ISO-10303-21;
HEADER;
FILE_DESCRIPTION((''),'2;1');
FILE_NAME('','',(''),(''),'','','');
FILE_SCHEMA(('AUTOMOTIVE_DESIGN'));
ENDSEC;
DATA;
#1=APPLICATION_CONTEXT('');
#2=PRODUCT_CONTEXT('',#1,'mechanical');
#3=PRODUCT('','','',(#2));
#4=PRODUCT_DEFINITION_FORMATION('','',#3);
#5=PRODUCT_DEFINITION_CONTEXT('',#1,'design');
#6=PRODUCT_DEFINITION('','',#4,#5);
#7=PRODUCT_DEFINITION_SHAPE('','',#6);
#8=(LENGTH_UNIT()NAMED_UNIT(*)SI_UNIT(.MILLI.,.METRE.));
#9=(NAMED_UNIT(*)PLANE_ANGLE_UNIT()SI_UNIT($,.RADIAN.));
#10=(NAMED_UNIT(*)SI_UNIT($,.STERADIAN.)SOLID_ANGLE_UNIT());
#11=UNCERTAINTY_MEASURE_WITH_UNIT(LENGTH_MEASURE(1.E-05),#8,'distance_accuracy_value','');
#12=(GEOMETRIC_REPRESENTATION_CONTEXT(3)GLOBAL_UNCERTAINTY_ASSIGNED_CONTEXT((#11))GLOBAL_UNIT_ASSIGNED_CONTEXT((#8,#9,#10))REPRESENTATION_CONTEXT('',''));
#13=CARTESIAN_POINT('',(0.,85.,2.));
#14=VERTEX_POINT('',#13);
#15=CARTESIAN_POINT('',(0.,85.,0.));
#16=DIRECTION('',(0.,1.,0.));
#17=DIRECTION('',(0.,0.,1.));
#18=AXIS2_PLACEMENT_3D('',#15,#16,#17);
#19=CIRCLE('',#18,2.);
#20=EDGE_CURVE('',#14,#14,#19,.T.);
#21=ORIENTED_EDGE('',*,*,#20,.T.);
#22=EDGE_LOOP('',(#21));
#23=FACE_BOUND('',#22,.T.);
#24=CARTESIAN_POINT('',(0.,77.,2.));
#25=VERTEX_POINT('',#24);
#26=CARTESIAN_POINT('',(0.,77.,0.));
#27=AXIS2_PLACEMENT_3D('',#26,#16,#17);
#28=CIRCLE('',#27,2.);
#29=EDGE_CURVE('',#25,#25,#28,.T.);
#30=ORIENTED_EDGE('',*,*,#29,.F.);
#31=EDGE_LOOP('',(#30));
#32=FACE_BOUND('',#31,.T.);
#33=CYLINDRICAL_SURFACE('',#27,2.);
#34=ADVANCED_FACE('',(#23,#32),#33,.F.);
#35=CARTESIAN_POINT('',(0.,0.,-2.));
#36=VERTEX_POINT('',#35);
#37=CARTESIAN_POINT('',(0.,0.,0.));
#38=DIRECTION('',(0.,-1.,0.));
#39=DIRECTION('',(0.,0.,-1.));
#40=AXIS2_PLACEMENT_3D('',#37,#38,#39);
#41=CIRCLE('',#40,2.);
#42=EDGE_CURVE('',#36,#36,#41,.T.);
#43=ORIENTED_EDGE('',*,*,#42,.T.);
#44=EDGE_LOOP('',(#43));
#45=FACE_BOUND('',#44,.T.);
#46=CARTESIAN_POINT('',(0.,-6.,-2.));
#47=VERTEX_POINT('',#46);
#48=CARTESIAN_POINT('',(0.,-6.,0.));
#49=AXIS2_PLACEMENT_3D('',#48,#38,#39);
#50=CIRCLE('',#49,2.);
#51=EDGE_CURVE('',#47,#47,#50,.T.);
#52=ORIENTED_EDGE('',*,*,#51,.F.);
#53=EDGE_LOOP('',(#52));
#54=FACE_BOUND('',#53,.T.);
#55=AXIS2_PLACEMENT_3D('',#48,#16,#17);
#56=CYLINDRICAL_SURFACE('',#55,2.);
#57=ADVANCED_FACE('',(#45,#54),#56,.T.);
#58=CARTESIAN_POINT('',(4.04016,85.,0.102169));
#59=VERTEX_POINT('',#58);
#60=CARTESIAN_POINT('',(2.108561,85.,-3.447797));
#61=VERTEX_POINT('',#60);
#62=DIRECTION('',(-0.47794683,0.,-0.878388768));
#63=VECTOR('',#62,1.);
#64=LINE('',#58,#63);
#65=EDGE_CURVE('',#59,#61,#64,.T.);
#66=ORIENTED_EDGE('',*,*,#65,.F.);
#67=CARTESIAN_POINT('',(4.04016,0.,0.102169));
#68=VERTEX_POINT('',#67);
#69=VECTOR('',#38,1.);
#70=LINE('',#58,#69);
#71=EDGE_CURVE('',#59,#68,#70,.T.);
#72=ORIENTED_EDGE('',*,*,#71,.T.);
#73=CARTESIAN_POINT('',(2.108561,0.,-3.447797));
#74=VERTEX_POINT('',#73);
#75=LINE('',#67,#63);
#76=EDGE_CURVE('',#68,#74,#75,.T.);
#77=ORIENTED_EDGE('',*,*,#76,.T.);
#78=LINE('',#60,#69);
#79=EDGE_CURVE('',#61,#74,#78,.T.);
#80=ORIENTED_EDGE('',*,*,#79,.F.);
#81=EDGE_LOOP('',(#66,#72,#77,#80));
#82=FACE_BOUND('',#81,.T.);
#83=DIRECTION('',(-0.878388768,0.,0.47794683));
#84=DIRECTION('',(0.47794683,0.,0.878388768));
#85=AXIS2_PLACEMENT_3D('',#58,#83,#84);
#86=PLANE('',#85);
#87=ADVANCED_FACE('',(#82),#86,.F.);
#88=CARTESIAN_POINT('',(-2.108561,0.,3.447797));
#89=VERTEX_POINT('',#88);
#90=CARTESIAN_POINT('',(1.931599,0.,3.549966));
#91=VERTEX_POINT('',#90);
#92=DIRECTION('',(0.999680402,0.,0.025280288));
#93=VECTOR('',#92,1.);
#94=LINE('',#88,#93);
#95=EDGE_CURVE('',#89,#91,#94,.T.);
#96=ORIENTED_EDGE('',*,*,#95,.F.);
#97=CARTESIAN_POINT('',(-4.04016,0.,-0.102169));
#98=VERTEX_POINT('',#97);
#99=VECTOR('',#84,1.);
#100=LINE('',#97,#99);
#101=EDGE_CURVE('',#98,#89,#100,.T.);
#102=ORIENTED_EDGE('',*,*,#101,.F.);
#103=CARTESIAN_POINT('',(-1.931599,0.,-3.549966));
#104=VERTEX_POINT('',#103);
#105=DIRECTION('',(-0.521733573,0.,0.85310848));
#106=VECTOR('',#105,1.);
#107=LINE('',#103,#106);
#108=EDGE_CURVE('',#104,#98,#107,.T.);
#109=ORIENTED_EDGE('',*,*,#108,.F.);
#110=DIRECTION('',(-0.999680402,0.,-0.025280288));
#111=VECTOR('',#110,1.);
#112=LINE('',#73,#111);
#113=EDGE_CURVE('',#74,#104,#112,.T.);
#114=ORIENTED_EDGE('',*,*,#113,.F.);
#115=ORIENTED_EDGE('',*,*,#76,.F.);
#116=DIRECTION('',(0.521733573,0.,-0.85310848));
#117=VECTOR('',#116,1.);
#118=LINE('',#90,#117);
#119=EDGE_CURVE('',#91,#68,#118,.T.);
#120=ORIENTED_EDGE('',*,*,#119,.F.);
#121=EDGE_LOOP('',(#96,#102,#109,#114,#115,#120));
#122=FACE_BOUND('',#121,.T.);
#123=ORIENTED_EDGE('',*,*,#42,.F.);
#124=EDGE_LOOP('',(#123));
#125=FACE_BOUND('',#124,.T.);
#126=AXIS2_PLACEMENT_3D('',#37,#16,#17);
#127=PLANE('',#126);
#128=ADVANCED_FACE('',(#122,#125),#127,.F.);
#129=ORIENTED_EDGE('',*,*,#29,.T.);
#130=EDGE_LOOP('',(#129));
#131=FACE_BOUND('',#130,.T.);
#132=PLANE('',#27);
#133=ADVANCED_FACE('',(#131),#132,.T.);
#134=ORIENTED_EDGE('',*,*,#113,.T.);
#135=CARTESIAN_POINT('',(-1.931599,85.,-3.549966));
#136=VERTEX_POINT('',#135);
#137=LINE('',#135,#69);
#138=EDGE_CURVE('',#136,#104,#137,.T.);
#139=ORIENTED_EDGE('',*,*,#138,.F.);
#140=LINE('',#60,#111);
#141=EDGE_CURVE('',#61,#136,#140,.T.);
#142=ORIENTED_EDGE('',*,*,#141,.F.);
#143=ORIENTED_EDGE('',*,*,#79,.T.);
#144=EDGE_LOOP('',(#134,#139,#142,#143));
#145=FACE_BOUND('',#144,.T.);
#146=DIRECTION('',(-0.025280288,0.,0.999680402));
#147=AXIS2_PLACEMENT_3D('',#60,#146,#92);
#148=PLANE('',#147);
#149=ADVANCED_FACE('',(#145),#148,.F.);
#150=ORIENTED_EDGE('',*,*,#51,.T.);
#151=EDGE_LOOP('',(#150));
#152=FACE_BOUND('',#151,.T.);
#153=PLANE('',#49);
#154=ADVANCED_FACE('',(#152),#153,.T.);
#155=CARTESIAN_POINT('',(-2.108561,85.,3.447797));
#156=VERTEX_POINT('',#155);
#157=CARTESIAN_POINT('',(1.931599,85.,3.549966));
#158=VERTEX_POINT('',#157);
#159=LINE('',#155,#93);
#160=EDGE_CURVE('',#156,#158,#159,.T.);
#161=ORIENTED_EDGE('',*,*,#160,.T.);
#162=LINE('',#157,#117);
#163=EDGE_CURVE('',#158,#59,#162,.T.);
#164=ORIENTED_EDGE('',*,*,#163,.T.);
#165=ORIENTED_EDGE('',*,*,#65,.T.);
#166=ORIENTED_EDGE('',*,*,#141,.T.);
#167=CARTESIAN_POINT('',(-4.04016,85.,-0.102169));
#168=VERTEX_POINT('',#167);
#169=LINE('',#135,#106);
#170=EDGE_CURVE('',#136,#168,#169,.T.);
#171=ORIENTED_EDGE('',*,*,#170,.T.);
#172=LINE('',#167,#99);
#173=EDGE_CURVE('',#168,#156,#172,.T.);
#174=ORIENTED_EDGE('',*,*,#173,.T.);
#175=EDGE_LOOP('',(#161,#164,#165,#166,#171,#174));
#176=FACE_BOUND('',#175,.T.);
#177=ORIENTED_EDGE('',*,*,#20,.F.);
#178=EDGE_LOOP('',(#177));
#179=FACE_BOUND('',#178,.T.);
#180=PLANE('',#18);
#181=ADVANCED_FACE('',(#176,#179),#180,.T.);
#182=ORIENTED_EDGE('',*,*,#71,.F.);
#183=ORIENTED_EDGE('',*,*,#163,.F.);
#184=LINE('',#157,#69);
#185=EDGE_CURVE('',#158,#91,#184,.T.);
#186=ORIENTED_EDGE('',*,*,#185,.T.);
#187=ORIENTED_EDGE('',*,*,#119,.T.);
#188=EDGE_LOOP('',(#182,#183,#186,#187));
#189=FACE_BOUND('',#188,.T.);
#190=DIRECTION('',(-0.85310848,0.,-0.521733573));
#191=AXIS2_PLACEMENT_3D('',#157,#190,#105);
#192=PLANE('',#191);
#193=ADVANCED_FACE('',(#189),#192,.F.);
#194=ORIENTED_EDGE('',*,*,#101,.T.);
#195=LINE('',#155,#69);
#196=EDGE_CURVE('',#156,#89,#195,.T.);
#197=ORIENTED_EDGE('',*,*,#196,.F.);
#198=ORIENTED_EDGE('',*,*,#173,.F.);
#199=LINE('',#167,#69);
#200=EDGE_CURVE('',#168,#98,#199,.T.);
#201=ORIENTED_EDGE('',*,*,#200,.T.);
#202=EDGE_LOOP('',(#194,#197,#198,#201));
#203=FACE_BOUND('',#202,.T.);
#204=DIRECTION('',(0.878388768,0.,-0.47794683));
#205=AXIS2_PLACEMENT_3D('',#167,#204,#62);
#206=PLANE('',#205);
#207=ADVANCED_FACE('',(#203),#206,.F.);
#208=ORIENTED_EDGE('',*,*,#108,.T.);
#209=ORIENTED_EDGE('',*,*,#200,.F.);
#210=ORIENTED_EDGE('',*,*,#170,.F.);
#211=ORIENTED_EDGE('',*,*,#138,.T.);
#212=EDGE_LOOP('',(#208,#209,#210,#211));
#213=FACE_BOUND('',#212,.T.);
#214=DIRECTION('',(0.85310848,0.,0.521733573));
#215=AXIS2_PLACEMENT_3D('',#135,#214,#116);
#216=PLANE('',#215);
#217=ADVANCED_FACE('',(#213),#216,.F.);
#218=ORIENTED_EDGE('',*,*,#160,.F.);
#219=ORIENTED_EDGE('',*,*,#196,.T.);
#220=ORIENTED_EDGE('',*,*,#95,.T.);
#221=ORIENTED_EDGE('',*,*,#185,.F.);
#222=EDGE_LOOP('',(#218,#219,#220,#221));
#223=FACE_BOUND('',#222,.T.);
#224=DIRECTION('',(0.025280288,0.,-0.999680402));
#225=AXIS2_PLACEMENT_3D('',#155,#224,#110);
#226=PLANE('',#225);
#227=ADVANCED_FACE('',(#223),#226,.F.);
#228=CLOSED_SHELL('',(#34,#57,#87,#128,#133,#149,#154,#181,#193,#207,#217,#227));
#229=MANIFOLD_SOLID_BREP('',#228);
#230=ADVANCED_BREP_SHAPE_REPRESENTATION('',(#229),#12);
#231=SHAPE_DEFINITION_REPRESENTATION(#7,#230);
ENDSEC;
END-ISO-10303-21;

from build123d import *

# Parameters (mm, degrees)
EXTRUDE_1_DEPTH     = 85
SKETCH_2_R          = 2
CUT_EXTRUDE_1_DEPTH = 8
SKETCH_3_R          = 2
EXTRUDE_2_DEPTH     = 6


with BuildPart() as part:
    # 스케치1 → 보스-돌출1 (new body)
    with BuildSketch(Plane(origin=(0, 0, 0), x_dir=(1, 0, 0), z_dir=(0, 1, 0))):
        Polygon((1.931599116, -3.549965942), (4.040160246, -0.102169067), (2.108561131, 3.447796875), (-1.931599116, 3.549965942), (-4.040160246, 0.102169067), (-2.108561131, -3.447796875), align=None)
    extrude(amount=EXTRUDE_1_DEPTH)

    # 스케치2 → 컷-돌출1 (cut)
    with BuildSketch(Plane(origin=(0, 85, 0), x_dir=(1, 0, 0), z_dir=(0, 1, 0))):
        with Locations(Location((0, 0, 0), (0, 0, 270))):
            Circle(SKETCH_2_R)
    extrude(amount=-CUT_EXTRUDE_1_DEPTH, mode=Mode.SUBTRACT)

    # 스케치3 → 보스-돌출2 (add)
    with BuildSketch(Plane.XZ):
        with Locations(Location((0, 0, 0), (0, 0, 90))):
            Circle(SKETCH_3_R)
    extrude(amount=EXTRUDE_2_DEPTH)


solid = part.part
